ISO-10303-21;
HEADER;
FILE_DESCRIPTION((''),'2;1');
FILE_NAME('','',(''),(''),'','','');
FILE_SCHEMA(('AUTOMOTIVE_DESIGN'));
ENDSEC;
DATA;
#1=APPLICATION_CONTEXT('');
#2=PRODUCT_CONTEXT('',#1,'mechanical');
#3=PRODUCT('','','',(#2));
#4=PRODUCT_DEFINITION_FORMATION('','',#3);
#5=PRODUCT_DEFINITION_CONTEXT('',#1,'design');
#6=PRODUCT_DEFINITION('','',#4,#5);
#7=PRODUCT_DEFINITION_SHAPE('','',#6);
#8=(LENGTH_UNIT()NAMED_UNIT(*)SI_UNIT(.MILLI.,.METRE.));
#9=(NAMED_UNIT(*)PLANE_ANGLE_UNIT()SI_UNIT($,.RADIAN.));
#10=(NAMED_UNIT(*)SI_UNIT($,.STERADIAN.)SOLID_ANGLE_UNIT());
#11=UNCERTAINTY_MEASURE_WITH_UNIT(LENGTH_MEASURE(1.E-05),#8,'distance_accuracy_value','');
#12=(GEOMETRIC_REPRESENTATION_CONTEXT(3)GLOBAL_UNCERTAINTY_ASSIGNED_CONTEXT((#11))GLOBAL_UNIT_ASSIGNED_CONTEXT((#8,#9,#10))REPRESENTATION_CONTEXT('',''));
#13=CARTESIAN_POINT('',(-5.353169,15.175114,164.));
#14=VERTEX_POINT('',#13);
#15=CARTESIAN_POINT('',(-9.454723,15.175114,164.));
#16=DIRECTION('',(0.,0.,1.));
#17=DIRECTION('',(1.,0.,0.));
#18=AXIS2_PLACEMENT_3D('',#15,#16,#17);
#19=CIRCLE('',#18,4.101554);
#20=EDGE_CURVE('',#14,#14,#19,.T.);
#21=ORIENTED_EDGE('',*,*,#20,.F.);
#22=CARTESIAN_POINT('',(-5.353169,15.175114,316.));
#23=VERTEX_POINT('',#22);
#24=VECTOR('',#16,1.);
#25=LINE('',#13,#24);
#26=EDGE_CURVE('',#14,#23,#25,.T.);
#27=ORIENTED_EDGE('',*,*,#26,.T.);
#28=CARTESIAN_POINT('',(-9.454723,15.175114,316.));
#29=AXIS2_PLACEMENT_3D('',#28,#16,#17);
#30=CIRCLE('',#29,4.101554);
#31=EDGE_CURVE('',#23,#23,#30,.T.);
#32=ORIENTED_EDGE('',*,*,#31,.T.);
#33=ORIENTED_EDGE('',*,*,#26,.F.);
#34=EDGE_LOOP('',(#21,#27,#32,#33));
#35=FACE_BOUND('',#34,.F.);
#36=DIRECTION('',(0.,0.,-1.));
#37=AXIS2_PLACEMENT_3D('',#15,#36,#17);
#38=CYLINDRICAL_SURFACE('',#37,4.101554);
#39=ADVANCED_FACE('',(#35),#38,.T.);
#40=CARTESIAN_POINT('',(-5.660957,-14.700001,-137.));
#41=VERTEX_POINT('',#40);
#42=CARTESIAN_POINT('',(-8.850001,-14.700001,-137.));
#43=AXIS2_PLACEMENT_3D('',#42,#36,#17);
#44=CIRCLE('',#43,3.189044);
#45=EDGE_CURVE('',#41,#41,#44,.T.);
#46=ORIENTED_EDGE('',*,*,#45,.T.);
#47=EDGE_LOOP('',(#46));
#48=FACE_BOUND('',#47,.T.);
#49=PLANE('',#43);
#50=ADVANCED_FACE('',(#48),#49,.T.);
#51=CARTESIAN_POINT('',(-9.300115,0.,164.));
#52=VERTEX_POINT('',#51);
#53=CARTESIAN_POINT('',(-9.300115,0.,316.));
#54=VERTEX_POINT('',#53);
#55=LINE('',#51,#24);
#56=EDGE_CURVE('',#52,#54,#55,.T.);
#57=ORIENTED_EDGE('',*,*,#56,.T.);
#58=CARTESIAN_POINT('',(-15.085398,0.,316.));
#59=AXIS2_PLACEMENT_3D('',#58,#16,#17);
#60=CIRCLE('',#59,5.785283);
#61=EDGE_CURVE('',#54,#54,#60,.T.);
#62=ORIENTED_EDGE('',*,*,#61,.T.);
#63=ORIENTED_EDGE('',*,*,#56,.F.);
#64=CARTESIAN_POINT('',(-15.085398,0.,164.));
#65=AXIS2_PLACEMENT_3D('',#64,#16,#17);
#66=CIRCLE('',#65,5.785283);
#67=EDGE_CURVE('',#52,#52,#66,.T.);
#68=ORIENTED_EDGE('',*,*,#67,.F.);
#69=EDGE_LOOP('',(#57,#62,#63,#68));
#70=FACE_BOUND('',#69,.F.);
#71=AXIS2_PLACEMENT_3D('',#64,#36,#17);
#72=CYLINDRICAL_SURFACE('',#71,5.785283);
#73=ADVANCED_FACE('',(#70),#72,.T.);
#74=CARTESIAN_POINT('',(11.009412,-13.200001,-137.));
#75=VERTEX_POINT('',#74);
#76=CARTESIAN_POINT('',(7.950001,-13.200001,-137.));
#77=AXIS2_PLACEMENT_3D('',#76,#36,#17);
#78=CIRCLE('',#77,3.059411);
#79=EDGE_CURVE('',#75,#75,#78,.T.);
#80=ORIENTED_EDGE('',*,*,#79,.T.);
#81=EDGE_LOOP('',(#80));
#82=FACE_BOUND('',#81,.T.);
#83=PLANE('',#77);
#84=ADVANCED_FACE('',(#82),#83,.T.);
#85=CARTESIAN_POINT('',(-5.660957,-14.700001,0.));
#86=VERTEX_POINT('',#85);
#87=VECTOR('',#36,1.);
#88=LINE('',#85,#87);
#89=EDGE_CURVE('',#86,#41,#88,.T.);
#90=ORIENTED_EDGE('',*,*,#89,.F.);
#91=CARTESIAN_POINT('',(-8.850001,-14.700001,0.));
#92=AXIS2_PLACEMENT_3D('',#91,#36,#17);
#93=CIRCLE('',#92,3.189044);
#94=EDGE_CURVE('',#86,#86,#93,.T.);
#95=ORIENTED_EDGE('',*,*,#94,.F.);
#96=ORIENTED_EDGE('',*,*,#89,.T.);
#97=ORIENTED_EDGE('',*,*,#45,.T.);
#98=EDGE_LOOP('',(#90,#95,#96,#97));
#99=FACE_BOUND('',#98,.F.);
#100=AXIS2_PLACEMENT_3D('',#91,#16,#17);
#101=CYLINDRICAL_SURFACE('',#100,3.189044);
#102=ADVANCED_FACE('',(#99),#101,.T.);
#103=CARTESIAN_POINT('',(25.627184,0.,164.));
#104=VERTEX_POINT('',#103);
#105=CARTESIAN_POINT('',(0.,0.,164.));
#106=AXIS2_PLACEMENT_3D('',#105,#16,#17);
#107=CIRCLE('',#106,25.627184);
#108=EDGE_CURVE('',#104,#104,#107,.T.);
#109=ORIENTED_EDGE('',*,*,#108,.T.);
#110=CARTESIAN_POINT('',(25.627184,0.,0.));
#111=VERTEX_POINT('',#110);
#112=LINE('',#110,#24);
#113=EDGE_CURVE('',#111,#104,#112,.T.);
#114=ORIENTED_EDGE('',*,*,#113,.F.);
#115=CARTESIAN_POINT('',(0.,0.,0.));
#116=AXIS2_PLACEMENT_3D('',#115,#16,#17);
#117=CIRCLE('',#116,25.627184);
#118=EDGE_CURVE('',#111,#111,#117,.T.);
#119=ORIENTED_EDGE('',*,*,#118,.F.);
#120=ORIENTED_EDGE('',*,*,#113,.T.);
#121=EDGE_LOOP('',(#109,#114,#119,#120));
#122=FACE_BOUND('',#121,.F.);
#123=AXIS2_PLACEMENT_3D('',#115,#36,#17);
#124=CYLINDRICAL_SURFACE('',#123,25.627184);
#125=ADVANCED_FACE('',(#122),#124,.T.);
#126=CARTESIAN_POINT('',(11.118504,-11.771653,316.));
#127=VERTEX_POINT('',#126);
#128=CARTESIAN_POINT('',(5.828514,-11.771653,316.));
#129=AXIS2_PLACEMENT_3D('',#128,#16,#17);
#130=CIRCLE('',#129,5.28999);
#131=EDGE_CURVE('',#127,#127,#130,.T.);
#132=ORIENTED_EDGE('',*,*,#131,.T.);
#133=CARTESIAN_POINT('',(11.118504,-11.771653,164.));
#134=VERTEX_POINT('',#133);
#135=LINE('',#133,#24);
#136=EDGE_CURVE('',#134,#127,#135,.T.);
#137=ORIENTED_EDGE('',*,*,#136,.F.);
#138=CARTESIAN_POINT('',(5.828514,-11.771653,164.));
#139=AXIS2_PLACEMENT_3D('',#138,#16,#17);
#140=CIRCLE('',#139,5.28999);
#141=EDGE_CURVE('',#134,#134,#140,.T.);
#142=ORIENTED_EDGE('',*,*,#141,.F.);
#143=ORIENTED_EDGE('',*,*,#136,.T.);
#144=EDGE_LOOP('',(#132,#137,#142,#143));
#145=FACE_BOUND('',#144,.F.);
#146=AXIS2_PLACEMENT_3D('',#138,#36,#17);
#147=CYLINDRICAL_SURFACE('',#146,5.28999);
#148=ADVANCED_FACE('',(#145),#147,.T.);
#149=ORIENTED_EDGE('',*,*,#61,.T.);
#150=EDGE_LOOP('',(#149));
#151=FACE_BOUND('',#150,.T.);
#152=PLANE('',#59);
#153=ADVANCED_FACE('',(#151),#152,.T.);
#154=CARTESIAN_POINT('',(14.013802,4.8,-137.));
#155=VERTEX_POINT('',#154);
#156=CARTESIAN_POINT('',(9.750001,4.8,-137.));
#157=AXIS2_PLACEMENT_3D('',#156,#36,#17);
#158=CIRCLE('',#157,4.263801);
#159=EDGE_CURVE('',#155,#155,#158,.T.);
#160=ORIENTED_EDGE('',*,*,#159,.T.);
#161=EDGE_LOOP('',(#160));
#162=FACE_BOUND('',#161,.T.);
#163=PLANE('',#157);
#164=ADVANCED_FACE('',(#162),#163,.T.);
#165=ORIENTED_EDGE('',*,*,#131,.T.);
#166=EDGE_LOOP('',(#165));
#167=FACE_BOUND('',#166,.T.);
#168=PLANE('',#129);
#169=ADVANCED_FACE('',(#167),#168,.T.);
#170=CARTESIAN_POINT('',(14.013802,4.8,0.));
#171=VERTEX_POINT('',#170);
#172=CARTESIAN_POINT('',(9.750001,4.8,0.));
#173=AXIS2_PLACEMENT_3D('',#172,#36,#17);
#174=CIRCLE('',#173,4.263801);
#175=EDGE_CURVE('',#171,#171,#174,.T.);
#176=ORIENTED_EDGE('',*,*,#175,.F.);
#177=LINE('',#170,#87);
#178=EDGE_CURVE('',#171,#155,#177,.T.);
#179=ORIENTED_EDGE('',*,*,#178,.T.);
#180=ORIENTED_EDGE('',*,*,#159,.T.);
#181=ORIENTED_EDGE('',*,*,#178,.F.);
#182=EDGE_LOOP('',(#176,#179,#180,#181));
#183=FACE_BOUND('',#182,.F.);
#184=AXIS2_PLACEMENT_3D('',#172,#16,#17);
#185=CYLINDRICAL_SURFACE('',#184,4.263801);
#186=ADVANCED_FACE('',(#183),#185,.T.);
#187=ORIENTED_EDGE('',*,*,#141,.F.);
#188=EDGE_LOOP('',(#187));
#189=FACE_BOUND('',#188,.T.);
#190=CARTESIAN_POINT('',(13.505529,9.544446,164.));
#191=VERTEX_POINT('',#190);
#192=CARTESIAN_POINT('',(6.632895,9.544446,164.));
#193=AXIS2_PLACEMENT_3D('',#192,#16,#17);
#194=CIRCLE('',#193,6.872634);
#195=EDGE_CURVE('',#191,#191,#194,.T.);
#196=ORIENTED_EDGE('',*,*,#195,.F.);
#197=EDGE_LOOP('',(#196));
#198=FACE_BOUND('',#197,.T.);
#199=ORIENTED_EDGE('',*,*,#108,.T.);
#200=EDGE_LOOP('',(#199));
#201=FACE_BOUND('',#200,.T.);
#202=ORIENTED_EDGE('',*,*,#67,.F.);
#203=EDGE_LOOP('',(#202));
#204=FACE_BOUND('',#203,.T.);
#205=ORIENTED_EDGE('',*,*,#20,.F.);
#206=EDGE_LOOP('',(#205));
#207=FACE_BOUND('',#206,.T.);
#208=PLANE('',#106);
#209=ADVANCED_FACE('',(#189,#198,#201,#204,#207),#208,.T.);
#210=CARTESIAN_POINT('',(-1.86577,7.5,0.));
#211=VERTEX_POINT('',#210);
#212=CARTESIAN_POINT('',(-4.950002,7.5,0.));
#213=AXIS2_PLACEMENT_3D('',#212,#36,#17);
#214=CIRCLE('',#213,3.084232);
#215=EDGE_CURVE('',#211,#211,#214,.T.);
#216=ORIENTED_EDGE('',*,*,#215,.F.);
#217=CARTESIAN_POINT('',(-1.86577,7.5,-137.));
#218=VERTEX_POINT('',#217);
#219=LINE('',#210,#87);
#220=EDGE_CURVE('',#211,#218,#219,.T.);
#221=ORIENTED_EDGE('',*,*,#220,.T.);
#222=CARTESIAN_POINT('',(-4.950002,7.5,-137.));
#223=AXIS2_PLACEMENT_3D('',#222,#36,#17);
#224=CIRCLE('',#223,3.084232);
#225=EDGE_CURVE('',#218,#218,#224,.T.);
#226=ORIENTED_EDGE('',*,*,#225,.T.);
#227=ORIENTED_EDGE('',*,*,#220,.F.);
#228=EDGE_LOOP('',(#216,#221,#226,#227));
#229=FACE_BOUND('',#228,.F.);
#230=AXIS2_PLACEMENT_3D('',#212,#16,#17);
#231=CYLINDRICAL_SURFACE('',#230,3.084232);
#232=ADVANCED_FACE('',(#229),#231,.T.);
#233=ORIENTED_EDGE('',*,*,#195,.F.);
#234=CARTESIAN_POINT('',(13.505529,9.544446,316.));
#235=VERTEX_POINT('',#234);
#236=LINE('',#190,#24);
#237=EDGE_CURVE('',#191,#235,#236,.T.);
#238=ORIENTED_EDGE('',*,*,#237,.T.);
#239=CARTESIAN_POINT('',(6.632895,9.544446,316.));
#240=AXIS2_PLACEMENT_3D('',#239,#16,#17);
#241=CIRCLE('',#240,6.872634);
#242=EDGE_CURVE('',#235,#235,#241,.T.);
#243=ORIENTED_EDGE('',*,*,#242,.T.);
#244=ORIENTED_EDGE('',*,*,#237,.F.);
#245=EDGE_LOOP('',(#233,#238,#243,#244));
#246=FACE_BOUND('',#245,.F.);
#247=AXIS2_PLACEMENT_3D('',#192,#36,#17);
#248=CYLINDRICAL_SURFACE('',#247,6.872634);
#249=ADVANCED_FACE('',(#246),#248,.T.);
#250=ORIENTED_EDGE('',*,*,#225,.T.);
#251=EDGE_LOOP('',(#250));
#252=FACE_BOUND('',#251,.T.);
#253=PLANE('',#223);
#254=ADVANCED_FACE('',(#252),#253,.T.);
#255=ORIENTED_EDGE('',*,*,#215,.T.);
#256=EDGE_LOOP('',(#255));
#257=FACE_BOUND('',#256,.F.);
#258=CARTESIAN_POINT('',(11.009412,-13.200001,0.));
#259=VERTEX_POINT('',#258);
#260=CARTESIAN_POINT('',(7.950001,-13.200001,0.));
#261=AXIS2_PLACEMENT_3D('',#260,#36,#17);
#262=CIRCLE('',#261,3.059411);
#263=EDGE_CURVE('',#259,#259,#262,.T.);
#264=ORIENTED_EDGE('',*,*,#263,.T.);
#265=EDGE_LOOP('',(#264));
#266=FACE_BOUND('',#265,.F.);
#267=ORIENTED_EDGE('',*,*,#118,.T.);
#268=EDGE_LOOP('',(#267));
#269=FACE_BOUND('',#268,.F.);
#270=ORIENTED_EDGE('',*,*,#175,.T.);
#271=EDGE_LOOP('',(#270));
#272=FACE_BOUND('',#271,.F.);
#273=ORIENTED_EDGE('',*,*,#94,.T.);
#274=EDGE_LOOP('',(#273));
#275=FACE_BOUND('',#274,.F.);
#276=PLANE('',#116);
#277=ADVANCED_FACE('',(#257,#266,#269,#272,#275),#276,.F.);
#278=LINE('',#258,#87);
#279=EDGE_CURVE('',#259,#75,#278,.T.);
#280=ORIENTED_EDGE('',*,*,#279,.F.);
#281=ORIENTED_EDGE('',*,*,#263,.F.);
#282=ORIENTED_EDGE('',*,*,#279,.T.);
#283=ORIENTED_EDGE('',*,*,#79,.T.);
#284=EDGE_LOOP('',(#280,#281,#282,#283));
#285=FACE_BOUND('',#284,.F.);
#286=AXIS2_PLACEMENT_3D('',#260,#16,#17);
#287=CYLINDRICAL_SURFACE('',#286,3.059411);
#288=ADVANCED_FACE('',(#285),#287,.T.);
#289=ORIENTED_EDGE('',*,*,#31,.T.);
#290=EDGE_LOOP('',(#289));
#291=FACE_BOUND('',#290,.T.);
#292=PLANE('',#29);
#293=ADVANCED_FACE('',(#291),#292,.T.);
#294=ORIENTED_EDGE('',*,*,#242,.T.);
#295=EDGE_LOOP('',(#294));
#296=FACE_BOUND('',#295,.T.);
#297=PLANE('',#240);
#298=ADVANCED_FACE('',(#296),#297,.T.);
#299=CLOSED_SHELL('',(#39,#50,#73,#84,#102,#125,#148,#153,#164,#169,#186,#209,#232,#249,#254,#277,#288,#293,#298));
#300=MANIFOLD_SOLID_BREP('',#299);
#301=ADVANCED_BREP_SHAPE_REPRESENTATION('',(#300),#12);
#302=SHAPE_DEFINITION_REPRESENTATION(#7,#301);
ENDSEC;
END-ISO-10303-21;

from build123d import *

# Parameters (mm, degrees)
F0_R     = 25.627184
F1_DEPTH = 164
F2_R     = 3.189044
F2_R_2   = 3.059411
F2_R_3   = 4.263801
F2_R_4   = 3.084232
F3_DEPTH = 137
F4_R     = 4.101554
F4_R_2   = 6.872634
F4_R_3   = 5.28999
F4_R_4   = 5.785283
F5_DEPTH = 152


with BuildPart() as f1:
    # F0 (on Top) → F1 (new body)
    with BuildSketch(Plane.XY):
        Circle(F0_R)
    extrude(amount=F1_DEPTH)

    # F2 (on face) → F3 (join)
    with BuildSketch(Plane(origin=(0, 0, 0), x_dir=(1, 0, 0), z_dir=(0, 0, -1))):
        with Locations((-8.850001, 14.700001)):
            Circle(F2_R)
        with Locations((7.950001, 13.200001)):
            Circle(F2_R_2)
        with Locations((9.750001, -4.8)):
            Circle(F2_R_3)
        with Locations((-4.950002, -7.5)):
            Circle(F2_R_4)
    extrude(amount=F3_DEPTH)

    # F4 (on face) → F5 (join)
    with BuildSketch(Plane.XY.offset(164)):
        with Locations((-9.454723, 15.175114)):
            Circle(F4_R)
        with Locations((6.632895, 9.544446)):
            Circle(F4_R_2)
        with Locations((5.828514, -11.771653)):
            Circle(F4_R_3)
        with Locations((-15.085398, 0)):
            Circle(F4_R_4)
    extrude(amount=F5_DEPTH)


solid = f1.part
